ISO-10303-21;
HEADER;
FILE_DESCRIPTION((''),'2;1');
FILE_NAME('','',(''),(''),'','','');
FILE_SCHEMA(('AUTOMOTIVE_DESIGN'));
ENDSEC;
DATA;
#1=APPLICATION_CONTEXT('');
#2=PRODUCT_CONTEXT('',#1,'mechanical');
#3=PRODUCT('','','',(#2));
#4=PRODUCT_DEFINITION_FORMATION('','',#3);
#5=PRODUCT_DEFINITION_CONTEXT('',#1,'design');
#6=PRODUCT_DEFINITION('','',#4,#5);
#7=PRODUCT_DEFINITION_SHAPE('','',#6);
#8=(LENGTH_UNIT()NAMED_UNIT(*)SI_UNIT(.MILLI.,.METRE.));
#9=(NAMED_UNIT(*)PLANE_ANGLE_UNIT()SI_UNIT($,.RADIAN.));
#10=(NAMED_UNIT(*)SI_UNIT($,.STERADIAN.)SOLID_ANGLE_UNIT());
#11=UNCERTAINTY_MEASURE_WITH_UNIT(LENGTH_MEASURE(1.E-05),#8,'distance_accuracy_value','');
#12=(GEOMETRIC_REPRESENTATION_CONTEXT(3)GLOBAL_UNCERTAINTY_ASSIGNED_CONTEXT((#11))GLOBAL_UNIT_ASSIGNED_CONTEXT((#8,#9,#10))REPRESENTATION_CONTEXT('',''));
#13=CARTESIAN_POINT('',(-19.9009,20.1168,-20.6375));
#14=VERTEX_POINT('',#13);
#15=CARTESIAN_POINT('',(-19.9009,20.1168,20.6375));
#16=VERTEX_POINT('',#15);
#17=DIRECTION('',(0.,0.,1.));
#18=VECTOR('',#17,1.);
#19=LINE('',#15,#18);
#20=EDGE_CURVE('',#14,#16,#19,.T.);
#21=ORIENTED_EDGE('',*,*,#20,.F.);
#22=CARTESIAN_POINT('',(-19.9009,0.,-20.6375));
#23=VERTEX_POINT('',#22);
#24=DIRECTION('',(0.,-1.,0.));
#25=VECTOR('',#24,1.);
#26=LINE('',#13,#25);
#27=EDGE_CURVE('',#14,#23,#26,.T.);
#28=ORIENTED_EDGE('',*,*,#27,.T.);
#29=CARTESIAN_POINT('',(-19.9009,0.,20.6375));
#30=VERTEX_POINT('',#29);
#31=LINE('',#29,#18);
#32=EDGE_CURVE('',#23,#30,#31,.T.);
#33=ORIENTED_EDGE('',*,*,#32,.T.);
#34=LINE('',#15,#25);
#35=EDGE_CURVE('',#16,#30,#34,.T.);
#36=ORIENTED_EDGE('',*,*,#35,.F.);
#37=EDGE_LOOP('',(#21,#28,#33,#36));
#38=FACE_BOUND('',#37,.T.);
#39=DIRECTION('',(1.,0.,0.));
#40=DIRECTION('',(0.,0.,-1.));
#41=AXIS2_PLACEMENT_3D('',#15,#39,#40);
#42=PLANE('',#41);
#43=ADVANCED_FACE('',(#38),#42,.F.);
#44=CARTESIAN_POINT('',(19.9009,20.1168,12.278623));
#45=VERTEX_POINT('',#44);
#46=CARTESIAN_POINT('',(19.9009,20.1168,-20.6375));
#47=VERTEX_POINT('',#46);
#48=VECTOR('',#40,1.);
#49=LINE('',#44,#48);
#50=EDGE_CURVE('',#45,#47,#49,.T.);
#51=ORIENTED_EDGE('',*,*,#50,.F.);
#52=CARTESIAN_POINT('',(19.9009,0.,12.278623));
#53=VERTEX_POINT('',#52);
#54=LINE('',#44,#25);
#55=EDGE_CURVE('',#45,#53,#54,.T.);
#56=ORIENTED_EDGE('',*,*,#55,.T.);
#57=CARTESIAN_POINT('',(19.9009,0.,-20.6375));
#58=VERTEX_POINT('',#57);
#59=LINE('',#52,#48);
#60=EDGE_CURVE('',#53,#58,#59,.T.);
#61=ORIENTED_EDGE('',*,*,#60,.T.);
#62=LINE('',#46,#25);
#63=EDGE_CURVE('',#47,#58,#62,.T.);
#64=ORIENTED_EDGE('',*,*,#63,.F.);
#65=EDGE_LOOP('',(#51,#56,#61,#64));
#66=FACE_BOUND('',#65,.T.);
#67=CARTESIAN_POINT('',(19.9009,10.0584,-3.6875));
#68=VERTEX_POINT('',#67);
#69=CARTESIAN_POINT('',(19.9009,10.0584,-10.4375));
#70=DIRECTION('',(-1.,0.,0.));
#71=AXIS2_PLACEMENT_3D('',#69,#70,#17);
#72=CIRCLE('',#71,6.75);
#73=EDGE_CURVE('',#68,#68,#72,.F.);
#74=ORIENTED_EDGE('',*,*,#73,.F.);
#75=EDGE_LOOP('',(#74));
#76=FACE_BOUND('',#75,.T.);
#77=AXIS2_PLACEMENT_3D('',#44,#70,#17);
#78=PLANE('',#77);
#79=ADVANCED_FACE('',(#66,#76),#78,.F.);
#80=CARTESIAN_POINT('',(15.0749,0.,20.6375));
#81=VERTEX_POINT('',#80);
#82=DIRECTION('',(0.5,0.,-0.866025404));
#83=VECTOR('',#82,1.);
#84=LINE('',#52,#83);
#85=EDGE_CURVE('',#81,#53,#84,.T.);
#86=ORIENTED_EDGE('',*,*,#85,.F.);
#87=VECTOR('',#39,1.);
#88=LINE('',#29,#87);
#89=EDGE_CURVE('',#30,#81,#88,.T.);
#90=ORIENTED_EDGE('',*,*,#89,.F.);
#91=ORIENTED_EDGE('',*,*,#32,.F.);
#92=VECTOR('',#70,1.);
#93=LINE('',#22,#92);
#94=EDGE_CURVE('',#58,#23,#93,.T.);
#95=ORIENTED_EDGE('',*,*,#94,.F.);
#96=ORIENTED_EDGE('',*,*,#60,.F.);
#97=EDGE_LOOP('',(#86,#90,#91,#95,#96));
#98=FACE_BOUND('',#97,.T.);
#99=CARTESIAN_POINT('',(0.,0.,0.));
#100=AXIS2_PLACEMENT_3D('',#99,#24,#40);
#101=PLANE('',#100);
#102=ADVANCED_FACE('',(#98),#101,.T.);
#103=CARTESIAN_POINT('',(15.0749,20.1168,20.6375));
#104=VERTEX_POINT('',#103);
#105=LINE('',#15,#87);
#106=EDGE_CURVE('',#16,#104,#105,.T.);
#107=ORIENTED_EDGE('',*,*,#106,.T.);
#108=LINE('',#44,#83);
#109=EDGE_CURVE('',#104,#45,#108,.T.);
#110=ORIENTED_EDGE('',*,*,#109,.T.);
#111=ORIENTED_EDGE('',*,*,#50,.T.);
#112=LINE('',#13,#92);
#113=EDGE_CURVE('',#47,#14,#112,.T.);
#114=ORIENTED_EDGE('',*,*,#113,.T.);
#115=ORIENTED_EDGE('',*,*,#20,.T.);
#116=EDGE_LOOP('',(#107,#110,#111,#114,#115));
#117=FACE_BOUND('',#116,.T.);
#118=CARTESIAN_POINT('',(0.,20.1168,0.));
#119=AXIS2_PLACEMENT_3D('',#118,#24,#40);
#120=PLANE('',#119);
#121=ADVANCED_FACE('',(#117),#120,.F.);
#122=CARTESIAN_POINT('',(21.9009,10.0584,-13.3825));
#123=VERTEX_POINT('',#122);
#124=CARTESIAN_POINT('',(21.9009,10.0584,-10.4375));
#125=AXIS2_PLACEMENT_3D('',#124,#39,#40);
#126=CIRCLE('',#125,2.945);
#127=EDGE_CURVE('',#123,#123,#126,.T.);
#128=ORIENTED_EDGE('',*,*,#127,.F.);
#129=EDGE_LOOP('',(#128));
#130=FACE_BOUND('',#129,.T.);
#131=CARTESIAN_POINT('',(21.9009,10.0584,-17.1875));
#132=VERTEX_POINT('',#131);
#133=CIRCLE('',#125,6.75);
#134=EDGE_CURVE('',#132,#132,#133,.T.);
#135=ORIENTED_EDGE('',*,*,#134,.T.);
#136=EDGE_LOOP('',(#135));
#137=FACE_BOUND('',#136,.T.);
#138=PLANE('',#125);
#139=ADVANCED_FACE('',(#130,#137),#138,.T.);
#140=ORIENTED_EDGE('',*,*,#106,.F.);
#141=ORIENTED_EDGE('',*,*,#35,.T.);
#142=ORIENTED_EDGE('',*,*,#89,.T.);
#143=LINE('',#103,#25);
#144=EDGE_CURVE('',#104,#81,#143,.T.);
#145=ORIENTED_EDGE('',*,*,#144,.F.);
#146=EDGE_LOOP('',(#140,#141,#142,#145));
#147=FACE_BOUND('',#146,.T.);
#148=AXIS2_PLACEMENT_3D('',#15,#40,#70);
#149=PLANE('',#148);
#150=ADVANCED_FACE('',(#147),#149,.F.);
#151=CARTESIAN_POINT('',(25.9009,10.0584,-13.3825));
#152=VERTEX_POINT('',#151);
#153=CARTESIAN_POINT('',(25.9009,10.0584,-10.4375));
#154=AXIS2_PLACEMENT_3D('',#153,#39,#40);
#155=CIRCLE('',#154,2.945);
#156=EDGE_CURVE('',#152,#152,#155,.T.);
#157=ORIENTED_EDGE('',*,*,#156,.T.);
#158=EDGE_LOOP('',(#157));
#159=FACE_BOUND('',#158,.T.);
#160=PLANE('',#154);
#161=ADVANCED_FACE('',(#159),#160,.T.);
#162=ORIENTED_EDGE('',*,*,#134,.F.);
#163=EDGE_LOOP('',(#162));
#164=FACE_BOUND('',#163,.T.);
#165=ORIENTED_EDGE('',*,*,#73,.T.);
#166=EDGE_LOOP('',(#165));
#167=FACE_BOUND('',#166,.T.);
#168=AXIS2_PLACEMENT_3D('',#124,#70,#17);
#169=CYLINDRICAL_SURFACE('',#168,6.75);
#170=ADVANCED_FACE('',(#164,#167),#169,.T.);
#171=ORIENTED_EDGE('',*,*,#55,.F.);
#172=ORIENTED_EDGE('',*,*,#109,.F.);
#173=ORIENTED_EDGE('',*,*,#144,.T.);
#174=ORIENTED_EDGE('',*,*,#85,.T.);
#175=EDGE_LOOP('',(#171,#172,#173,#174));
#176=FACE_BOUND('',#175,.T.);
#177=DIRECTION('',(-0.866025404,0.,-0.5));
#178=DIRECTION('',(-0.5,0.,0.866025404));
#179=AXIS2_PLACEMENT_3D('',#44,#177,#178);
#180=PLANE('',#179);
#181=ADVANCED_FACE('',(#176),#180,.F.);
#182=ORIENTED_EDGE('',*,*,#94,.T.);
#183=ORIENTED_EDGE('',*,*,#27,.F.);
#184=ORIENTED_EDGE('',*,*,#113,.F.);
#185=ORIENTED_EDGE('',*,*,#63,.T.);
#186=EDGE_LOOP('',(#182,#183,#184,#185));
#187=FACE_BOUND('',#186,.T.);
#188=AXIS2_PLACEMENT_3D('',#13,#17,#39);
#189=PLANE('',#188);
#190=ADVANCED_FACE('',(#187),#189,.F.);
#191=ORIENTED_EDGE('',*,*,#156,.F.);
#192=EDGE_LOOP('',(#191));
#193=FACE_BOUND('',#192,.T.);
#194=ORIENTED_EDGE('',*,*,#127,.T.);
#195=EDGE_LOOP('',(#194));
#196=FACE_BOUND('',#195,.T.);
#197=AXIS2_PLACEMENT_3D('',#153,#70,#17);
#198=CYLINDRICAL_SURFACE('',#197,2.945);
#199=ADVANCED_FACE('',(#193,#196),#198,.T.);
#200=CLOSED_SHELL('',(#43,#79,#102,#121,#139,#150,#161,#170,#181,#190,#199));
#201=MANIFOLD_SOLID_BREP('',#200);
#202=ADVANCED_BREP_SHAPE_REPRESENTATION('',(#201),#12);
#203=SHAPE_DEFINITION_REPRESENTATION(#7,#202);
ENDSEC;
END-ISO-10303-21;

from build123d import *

# Parameters (mm, degrees)
BOSS_EXTRUDE1_DEPTH = 20.1168
SKETCH2_R           = 6.75
BOSS_EXTRUDE2_DEPTH = 2
SKETCH3_R           = 2.945
BOSS_EXTRUDE3_DEPTH = 4


with BuildPart() as part:
    # Sketch1 → Boss-Extrude1 (new body)
    with BuildSketch(Plane(origin=(0, 0, 0), x_dir=(1, 0, 0), z_dir=(0, 1, 0))):
        Polygon((19.9009, -12.278622803), (15.0749, -20.6375), (-19.9009, -20.6375), (-19.9009, 20.6375), (19.9009, 20.6375), align=None)
    extrude(amount=BOSS_EXTRUDE1_DEPTH)

    # Sketch2 → Boss-Extrude2 (add)
    with BuildSketch(Plane(origin=(19.9009, 0, 0), x_dir=(0, 0, -1), z_dir=(1, 0, 0))):
        with Locations(Location((10.4375, 10.0584, 0), (0, 0, 180))):
            Circle(SKETCH2_R)
    extrude(amount=BOSS_EXTRUDE2_DEPTH)

    # Sketch3 → Boss-Extrude3 (add)
    with BuildSketch(Plane(origin=(21.9009, 0, 0), x_dir=(0, 0, -1), z_dir=(1, 0, 0))):
        with Locations((10.4375, 10.0584)):
            Circle(SKETCH3_R)
    extrude(amount=BOSS_EXTRUDE3_DEPTH)


solid = part.part
